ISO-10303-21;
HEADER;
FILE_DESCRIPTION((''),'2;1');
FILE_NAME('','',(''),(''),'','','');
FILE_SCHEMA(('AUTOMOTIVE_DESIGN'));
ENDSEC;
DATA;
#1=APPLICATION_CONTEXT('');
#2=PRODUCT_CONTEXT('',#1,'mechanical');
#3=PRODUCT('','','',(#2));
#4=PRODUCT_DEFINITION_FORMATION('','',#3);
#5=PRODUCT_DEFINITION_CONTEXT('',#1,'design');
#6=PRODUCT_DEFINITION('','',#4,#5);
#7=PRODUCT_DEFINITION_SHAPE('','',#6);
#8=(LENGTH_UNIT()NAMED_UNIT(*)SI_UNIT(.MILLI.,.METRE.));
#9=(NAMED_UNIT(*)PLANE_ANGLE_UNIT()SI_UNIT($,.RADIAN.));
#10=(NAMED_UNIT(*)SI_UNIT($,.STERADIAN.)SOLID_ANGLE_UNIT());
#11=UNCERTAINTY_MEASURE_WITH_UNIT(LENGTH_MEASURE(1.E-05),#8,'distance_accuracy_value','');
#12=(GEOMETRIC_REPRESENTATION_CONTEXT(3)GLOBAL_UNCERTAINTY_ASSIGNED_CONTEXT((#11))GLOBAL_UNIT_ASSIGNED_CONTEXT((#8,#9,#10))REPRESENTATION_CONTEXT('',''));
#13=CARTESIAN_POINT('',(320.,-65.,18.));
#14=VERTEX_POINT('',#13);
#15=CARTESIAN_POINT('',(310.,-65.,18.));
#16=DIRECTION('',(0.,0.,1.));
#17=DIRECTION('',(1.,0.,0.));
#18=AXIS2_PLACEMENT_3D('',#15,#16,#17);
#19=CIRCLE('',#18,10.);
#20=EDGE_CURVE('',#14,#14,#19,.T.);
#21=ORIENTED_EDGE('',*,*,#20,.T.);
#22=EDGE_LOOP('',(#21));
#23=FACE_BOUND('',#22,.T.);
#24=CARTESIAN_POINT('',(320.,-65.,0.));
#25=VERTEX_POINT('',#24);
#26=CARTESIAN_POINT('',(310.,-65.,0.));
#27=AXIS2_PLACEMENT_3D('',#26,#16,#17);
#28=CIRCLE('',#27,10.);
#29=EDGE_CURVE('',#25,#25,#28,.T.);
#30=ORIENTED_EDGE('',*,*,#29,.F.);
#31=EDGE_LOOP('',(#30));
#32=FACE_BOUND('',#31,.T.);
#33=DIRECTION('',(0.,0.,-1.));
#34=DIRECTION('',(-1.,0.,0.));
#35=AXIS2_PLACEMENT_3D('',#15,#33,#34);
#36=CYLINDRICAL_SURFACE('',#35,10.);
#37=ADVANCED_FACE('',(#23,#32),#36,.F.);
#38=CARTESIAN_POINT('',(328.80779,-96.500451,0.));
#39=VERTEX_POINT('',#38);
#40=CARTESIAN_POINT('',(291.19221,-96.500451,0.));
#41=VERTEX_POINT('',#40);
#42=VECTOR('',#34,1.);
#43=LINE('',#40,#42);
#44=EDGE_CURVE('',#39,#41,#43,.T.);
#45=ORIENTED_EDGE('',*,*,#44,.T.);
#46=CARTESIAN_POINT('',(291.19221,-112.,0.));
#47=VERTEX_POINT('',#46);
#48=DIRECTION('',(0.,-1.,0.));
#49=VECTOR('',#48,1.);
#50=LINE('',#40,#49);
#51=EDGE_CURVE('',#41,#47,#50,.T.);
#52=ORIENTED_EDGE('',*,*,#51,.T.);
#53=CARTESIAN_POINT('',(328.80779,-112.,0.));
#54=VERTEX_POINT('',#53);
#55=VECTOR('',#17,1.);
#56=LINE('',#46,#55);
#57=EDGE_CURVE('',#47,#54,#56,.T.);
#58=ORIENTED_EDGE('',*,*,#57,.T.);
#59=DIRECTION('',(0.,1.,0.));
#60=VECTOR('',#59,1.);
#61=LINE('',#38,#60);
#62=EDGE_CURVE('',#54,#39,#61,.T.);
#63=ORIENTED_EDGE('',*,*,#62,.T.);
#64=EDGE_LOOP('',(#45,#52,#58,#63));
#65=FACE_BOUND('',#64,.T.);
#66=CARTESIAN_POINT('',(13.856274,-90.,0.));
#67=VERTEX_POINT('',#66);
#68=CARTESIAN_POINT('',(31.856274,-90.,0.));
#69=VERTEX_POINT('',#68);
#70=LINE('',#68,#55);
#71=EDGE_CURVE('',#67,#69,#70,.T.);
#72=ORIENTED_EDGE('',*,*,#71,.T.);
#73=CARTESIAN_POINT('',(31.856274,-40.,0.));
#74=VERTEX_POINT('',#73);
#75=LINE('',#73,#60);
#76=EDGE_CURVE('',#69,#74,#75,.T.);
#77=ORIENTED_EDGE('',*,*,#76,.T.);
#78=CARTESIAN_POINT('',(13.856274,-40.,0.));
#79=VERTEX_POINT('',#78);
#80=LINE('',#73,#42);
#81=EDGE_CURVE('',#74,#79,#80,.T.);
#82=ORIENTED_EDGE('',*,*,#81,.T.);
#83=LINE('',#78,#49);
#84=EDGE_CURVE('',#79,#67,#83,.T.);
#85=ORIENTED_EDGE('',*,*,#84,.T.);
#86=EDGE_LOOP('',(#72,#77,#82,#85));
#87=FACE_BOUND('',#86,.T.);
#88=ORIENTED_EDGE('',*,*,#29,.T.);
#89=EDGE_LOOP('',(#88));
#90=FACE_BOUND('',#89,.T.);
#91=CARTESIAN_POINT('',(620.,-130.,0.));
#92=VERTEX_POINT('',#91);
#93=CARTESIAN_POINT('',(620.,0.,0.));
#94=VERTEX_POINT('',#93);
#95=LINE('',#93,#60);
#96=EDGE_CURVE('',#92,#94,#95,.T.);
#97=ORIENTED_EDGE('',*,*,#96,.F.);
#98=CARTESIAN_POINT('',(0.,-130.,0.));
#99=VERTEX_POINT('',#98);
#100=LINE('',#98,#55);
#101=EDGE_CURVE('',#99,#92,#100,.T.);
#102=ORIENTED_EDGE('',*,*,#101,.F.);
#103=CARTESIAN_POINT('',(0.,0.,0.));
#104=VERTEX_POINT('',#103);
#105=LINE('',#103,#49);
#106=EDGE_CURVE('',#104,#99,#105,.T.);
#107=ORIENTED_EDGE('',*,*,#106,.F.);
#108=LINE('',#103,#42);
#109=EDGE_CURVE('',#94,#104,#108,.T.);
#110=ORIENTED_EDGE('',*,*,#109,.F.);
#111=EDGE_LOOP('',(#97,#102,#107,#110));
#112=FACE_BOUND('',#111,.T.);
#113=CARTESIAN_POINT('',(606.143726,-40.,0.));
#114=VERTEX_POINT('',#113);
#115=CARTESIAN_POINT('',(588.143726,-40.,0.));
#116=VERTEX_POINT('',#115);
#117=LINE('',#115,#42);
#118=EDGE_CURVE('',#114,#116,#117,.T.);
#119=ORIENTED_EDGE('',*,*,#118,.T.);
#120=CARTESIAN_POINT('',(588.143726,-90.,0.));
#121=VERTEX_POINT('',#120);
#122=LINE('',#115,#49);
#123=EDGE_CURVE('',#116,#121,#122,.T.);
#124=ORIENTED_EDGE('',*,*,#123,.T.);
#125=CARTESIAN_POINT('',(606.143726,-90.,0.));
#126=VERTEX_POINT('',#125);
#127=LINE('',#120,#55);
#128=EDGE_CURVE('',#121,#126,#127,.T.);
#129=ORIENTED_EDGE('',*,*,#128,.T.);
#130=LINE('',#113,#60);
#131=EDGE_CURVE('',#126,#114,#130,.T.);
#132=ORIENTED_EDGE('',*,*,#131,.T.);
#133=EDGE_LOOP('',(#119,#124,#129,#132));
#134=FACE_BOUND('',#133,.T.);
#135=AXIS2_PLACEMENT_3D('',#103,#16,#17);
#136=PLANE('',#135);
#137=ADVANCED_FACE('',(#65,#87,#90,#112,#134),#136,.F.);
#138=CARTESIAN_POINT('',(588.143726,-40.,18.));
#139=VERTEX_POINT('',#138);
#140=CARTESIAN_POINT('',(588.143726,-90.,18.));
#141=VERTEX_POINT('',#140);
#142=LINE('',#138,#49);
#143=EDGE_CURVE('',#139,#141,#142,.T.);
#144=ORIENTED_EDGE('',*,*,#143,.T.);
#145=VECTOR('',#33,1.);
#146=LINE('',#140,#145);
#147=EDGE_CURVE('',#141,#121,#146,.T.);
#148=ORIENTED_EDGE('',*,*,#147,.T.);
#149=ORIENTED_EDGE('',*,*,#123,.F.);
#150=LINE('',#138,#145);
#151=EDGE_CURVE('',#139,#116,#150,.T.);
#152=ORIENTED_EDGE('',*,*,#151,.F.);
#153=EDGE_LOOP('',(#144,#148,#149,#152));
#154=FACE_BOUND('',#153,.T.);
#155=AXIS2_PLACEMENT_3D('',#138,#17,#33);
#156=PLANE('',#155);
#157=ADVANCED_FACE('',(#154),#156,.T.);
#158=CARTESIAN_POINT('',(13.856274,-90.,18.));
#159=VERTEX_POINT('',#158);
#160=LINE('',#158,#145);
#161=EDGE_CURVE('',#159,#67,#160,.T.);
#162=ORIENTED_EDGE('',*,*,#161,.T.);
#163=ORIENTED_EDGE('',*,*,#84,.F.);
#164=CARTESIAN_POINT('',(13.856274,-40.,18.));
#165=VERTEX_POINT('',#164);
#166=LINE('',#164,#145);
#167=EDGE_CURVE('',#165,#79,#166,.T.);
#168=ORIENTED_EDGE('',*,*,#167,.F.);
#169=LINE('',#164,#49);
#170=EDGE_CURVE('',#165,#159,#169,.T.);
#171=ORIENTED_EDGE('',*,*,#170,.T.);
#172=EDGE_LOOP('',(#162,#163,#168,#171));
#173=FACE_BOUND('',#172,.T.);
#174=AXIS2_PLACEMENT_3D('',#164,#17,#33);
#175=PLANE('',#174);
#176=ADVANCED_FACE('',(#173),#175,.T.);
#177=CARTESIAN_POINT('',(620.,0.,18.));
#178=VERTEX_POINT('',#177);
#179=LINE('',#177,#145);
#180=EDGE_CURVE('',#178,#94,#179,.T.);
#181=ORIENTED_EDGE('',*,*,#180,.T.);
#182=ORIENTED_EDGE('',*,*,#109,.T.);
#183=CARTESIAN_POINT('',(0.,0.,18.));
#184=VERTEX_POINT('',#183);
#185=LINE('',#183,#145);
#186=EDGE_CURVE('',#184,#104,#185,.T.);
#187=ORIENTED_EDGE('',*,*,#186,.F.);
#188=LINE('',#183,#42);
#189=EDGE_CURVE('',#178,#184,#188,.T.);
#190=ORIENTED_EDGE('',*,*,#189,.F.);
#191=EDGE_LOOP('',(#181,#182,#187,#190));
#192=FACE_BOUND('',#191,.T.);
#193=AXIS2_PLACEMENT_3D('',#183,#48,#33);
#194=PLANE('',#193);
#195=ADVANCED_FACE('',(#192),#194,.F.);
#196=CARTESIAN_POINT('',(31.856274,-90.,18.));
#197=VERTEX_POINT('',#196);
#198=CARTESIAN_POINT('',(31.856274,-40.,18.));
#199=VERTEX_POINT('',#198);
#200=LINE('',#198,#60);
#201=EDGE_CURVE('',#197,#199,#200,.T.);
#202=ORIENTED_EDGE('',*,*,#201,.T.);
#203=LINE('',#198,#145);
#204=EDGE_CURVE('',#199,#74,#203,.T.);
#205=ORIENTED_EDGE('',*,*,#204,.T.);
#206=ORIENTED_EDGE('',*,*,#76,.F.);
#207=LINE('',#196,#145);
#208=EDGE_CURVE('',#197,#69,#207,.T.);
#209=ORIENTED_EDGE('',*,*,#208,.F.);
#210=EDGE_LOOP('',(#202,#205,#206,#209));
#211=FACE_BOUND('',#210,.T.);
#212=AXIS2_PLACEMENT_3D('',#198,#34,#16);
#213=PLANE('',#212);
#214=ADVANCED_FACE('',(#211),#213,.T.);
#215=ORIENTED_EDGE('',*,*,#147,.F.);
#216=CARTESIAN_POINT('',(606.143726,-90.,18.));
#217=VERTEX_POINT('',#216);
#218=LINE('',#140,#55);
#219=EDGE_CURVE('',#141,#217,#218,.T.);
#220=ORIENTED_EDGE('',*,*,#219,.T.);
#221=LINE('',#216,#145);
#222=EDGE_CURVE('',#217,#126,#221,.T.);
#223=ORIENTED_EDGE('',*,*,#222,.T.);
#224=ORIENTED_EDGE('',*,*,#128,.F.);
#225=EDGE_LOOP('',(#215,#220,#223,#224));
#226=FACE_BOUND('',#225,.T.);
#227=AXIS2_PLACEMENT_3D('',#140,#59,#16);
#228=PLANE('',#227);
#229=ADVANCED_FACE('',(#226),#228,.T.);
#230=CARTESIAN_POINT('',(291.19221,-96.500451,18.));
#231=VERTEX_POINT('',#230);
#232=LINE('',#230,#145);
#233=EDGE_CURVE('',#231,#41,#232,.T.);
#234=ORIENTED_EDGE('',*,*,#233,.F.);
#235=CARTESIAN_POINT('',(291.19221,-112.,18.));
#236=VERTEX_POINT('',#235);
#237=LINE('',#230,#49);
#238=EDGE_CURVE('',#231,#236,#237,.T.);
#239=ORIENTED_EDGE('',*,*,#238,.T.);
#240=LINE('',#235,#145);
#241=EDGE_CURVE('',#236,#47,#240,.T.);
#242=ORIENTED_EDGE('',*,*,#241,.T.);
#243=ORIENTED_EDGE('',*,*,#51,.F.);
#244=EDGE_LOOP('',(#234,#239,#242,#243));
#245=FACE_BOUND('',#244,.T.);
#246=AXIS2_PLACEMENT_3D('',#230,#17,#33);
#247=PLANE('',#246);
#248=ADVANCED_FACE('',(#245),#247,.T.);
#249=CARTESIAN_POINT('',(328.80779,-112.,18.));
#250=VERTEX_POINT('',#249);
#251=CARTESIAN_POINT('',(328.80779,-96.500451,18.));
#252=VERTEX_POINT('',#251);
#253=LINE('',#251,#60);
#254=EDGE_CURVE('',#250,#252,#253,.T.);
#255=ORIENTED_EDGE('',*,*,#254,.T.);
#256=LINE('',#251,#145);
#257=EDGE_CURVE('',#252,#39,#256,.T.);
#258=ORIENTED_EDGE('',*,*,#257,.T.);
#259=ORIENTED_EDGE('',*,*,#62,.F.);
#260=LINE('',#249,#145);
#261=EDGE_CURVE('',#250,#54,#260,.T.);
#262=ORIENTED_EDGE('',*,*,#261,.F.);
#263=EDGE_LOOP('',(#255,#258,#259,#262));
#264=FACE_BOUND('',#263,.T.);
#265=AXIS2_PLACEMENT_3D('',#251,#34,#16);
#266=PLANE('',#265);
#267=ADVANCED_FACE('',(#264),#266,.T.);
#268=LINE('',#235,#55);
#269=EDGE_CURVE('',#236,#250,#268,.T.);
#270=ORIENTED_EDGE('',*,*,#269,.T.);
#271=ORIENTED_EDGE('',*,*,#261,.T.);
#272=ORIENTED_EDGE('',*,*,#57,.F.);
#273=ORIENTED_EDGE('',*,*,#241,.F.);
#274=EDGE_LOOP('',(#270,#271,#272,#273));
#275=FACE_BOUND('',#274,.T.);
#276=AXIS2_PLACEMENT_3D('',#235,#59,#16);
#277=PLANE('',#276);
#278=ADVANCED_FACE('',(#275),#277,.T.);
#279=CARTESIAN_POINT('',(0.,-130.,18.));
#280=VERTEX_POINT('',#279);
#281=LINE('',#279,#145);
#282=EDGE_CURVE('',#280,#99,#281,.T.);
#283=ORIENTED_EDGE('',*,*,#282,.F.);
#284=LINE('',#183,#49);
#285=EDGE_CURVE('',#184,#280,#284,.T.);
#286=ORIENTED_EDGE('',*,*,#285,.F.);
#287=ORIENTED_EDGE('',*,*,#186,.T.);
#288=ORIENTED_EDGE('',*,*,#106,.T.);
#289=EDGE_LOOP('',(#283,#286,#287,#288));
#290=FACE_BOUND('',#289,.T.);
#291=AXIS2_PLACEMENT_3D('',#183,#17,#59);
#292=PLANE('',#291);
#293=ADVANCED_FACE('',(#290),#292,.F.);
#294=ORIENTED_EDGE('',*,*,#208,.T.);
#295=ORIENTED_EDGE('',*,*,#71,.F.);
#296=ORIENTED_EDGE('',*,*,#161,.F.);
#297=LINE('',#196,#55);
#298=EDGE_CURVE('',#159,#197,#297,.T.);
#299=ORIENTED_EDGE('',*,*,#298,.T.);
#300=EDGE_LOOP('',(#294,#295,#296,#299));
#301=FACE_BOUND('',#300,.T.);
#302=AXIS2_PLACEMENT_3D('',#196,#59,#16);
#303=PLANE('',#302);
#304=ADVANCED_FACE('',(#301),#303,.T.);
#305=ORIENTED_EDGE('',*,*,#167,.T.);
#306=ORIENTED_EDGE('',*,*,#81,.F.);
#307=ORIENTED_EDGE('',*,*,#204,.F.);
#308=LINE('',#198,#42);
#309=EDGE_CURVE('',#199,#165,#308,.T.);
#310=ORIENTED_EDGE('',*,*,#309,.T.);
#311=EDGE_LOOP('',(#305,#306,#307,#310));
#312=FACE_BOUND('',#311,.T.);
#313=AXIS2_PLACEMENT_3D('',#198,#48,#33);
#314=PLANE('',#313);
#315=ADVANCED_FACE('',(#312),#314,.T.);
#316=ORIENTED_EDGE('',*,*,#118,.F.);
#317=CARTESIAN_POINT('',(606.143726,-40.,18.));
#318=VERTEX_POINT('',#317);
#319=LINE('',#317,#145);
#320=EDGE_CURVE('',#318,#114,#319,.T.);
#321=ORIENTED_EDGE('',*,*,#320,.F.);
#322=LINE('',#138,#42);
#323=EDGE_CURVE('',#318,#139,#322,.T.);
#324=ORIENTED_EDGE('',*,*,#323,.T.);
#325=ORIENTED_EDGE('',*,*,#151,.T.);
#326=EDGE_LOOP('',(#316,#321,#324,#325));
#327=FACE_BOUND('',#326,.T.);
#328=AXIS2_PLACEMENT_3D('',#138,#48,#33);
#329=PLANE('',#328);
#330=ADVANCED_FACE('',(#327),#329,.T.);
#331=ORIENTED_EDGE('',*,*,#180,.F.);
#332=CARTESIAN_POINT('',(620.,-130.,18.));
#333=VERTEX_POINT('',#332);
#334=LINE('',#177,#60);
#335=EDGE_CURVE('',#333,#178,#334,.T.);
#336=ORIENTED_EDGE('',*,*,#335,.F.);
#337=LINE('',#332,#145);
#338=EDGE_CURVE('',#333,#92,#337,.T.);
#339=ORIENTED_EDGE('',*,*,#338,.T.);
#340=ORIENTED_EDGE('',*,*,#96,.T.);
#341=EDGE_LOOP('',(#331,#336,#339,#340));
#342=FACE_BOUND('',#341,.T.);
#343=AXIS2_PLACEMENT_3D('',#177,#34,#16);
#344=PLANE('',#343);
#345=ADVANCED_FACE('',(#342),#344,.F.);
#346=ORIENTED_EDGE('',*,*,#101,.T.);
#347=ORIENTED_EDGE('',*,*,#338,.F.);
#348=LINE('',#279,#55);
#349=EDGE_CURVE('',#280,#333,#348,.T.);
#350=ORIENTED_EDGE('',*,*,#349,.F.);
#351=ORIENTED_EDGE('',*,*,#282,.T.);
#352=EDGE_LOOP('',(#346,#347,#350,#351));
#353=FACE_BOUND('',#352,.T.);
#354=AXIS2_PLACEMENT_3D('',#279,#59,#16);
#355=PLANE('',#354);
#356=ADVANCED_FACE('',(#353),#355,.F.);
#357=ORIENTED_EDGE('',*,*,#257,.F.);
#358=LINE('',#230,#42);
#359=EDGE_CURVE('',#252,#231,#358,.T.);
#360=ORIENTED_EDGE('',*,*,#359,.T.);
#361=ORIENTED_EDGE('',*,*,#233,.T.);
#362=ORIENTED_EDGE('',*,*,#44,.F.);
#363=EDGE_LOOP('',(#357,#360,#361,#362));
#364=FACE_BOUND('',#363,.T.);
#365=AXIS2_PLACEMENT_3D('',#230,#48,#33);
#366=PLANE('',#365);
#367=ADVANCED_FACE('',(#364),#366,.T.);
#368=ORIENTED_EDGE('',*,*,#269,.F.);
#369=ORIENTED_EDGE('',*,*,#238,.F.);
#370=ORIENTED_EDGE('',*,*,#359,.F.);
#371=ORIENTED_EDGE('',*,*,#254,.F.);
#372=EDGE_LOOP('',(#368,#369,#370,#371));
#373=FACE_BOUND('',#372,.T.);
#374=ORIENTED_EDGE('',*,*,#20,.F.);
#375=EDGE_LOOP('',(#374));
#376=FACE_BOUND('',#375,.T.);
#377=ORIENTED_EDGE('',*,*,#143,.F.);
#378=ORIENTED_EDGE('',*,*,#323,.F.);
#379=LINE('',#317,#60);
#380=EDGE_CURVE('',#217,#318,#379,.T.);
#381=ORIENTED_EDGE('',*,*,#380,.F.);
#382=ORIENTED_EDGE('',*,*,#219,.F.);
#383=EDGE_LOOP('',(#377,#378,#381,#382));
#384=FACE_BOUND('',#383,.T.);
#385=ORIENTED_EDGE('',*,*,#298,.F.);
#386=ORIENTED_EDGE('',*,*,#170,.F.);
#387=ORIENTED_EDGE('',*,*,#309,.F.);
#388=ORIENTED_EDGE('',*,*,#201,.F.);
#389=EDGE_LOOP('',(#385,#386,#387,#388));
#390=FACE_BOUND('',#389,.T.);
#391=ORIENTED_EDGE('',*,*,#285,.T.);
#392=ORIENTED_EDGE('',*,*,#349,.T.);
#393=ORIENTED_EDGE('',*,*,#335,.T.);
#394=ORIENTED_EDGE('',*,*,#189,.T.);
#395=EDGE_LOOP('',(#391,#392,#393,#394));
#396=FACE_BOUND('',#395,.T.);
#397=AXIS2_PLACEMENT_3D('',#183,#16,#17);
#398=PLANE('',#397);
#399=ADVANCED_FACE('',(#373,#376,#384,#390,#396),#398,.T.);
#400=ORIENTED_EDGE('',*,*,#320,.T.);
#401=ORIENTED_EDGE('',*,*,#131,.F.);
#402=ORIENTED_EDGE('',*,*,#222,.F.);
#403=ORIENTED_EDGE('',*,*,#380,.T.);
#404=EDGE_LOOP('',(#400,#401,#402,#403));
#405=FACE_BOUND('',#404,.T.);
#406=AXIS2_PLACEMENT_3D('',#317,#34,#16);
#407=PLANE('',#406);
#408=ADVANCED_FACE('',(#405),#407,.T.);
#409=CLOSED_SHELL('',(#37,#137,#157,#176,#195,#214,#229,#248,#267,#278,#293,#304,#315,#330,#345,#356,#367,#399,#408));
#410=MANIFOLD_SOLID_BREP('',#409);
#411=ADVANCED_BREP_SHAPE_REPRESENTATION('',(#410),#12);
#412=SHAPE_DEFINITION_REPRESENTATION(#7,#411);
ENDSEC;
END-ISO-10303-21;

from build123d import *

# Parameters (mm, degrees)
SKETCH1_W           = 620
SKETCH1_H           = 130
SKETCH1_R           = 10
SKETCH1_W_2         = 18
SKETCH1_H_2         = 50
SKETCH1_W_3         = 37.615580966
SKETCH1_H_3         = 15.499548612
BOSS_EXTRUDE1_DEPTH = 18


with BuildPart() as part:
    # Sketch1 → Boss-Extrude1 (new body)
    with BuildSketch(Plane.XY):
        with Locations((310, -65)):
            Rectangle(SKETCH1_W, SKETCH1_H)
        with Locations((310, -65)):
            Circle(SKETCH1_R, mode=Mode.SUBTRACT)
        with Locations((22.856274172, -65)):
            Rectangle(SKETCH1_W_2, SKETCH1_H_2, mode=Mode.SUBTRACT)
        with Locations((310, -104.250225694)):
            Rectangle(SKETCH1_W_3, SKETCH1_H_3, mode=Mode.SUBTRACT)
        with Locations((597.143725828, -65)):
            Rectangle(SKETCH1_W_2, SKETCH1_H_2, mode=Mode.SUBTRACT)
    extrude(amount=BOSS_EXTRUDE1_DEPTH)


solid = part.part
